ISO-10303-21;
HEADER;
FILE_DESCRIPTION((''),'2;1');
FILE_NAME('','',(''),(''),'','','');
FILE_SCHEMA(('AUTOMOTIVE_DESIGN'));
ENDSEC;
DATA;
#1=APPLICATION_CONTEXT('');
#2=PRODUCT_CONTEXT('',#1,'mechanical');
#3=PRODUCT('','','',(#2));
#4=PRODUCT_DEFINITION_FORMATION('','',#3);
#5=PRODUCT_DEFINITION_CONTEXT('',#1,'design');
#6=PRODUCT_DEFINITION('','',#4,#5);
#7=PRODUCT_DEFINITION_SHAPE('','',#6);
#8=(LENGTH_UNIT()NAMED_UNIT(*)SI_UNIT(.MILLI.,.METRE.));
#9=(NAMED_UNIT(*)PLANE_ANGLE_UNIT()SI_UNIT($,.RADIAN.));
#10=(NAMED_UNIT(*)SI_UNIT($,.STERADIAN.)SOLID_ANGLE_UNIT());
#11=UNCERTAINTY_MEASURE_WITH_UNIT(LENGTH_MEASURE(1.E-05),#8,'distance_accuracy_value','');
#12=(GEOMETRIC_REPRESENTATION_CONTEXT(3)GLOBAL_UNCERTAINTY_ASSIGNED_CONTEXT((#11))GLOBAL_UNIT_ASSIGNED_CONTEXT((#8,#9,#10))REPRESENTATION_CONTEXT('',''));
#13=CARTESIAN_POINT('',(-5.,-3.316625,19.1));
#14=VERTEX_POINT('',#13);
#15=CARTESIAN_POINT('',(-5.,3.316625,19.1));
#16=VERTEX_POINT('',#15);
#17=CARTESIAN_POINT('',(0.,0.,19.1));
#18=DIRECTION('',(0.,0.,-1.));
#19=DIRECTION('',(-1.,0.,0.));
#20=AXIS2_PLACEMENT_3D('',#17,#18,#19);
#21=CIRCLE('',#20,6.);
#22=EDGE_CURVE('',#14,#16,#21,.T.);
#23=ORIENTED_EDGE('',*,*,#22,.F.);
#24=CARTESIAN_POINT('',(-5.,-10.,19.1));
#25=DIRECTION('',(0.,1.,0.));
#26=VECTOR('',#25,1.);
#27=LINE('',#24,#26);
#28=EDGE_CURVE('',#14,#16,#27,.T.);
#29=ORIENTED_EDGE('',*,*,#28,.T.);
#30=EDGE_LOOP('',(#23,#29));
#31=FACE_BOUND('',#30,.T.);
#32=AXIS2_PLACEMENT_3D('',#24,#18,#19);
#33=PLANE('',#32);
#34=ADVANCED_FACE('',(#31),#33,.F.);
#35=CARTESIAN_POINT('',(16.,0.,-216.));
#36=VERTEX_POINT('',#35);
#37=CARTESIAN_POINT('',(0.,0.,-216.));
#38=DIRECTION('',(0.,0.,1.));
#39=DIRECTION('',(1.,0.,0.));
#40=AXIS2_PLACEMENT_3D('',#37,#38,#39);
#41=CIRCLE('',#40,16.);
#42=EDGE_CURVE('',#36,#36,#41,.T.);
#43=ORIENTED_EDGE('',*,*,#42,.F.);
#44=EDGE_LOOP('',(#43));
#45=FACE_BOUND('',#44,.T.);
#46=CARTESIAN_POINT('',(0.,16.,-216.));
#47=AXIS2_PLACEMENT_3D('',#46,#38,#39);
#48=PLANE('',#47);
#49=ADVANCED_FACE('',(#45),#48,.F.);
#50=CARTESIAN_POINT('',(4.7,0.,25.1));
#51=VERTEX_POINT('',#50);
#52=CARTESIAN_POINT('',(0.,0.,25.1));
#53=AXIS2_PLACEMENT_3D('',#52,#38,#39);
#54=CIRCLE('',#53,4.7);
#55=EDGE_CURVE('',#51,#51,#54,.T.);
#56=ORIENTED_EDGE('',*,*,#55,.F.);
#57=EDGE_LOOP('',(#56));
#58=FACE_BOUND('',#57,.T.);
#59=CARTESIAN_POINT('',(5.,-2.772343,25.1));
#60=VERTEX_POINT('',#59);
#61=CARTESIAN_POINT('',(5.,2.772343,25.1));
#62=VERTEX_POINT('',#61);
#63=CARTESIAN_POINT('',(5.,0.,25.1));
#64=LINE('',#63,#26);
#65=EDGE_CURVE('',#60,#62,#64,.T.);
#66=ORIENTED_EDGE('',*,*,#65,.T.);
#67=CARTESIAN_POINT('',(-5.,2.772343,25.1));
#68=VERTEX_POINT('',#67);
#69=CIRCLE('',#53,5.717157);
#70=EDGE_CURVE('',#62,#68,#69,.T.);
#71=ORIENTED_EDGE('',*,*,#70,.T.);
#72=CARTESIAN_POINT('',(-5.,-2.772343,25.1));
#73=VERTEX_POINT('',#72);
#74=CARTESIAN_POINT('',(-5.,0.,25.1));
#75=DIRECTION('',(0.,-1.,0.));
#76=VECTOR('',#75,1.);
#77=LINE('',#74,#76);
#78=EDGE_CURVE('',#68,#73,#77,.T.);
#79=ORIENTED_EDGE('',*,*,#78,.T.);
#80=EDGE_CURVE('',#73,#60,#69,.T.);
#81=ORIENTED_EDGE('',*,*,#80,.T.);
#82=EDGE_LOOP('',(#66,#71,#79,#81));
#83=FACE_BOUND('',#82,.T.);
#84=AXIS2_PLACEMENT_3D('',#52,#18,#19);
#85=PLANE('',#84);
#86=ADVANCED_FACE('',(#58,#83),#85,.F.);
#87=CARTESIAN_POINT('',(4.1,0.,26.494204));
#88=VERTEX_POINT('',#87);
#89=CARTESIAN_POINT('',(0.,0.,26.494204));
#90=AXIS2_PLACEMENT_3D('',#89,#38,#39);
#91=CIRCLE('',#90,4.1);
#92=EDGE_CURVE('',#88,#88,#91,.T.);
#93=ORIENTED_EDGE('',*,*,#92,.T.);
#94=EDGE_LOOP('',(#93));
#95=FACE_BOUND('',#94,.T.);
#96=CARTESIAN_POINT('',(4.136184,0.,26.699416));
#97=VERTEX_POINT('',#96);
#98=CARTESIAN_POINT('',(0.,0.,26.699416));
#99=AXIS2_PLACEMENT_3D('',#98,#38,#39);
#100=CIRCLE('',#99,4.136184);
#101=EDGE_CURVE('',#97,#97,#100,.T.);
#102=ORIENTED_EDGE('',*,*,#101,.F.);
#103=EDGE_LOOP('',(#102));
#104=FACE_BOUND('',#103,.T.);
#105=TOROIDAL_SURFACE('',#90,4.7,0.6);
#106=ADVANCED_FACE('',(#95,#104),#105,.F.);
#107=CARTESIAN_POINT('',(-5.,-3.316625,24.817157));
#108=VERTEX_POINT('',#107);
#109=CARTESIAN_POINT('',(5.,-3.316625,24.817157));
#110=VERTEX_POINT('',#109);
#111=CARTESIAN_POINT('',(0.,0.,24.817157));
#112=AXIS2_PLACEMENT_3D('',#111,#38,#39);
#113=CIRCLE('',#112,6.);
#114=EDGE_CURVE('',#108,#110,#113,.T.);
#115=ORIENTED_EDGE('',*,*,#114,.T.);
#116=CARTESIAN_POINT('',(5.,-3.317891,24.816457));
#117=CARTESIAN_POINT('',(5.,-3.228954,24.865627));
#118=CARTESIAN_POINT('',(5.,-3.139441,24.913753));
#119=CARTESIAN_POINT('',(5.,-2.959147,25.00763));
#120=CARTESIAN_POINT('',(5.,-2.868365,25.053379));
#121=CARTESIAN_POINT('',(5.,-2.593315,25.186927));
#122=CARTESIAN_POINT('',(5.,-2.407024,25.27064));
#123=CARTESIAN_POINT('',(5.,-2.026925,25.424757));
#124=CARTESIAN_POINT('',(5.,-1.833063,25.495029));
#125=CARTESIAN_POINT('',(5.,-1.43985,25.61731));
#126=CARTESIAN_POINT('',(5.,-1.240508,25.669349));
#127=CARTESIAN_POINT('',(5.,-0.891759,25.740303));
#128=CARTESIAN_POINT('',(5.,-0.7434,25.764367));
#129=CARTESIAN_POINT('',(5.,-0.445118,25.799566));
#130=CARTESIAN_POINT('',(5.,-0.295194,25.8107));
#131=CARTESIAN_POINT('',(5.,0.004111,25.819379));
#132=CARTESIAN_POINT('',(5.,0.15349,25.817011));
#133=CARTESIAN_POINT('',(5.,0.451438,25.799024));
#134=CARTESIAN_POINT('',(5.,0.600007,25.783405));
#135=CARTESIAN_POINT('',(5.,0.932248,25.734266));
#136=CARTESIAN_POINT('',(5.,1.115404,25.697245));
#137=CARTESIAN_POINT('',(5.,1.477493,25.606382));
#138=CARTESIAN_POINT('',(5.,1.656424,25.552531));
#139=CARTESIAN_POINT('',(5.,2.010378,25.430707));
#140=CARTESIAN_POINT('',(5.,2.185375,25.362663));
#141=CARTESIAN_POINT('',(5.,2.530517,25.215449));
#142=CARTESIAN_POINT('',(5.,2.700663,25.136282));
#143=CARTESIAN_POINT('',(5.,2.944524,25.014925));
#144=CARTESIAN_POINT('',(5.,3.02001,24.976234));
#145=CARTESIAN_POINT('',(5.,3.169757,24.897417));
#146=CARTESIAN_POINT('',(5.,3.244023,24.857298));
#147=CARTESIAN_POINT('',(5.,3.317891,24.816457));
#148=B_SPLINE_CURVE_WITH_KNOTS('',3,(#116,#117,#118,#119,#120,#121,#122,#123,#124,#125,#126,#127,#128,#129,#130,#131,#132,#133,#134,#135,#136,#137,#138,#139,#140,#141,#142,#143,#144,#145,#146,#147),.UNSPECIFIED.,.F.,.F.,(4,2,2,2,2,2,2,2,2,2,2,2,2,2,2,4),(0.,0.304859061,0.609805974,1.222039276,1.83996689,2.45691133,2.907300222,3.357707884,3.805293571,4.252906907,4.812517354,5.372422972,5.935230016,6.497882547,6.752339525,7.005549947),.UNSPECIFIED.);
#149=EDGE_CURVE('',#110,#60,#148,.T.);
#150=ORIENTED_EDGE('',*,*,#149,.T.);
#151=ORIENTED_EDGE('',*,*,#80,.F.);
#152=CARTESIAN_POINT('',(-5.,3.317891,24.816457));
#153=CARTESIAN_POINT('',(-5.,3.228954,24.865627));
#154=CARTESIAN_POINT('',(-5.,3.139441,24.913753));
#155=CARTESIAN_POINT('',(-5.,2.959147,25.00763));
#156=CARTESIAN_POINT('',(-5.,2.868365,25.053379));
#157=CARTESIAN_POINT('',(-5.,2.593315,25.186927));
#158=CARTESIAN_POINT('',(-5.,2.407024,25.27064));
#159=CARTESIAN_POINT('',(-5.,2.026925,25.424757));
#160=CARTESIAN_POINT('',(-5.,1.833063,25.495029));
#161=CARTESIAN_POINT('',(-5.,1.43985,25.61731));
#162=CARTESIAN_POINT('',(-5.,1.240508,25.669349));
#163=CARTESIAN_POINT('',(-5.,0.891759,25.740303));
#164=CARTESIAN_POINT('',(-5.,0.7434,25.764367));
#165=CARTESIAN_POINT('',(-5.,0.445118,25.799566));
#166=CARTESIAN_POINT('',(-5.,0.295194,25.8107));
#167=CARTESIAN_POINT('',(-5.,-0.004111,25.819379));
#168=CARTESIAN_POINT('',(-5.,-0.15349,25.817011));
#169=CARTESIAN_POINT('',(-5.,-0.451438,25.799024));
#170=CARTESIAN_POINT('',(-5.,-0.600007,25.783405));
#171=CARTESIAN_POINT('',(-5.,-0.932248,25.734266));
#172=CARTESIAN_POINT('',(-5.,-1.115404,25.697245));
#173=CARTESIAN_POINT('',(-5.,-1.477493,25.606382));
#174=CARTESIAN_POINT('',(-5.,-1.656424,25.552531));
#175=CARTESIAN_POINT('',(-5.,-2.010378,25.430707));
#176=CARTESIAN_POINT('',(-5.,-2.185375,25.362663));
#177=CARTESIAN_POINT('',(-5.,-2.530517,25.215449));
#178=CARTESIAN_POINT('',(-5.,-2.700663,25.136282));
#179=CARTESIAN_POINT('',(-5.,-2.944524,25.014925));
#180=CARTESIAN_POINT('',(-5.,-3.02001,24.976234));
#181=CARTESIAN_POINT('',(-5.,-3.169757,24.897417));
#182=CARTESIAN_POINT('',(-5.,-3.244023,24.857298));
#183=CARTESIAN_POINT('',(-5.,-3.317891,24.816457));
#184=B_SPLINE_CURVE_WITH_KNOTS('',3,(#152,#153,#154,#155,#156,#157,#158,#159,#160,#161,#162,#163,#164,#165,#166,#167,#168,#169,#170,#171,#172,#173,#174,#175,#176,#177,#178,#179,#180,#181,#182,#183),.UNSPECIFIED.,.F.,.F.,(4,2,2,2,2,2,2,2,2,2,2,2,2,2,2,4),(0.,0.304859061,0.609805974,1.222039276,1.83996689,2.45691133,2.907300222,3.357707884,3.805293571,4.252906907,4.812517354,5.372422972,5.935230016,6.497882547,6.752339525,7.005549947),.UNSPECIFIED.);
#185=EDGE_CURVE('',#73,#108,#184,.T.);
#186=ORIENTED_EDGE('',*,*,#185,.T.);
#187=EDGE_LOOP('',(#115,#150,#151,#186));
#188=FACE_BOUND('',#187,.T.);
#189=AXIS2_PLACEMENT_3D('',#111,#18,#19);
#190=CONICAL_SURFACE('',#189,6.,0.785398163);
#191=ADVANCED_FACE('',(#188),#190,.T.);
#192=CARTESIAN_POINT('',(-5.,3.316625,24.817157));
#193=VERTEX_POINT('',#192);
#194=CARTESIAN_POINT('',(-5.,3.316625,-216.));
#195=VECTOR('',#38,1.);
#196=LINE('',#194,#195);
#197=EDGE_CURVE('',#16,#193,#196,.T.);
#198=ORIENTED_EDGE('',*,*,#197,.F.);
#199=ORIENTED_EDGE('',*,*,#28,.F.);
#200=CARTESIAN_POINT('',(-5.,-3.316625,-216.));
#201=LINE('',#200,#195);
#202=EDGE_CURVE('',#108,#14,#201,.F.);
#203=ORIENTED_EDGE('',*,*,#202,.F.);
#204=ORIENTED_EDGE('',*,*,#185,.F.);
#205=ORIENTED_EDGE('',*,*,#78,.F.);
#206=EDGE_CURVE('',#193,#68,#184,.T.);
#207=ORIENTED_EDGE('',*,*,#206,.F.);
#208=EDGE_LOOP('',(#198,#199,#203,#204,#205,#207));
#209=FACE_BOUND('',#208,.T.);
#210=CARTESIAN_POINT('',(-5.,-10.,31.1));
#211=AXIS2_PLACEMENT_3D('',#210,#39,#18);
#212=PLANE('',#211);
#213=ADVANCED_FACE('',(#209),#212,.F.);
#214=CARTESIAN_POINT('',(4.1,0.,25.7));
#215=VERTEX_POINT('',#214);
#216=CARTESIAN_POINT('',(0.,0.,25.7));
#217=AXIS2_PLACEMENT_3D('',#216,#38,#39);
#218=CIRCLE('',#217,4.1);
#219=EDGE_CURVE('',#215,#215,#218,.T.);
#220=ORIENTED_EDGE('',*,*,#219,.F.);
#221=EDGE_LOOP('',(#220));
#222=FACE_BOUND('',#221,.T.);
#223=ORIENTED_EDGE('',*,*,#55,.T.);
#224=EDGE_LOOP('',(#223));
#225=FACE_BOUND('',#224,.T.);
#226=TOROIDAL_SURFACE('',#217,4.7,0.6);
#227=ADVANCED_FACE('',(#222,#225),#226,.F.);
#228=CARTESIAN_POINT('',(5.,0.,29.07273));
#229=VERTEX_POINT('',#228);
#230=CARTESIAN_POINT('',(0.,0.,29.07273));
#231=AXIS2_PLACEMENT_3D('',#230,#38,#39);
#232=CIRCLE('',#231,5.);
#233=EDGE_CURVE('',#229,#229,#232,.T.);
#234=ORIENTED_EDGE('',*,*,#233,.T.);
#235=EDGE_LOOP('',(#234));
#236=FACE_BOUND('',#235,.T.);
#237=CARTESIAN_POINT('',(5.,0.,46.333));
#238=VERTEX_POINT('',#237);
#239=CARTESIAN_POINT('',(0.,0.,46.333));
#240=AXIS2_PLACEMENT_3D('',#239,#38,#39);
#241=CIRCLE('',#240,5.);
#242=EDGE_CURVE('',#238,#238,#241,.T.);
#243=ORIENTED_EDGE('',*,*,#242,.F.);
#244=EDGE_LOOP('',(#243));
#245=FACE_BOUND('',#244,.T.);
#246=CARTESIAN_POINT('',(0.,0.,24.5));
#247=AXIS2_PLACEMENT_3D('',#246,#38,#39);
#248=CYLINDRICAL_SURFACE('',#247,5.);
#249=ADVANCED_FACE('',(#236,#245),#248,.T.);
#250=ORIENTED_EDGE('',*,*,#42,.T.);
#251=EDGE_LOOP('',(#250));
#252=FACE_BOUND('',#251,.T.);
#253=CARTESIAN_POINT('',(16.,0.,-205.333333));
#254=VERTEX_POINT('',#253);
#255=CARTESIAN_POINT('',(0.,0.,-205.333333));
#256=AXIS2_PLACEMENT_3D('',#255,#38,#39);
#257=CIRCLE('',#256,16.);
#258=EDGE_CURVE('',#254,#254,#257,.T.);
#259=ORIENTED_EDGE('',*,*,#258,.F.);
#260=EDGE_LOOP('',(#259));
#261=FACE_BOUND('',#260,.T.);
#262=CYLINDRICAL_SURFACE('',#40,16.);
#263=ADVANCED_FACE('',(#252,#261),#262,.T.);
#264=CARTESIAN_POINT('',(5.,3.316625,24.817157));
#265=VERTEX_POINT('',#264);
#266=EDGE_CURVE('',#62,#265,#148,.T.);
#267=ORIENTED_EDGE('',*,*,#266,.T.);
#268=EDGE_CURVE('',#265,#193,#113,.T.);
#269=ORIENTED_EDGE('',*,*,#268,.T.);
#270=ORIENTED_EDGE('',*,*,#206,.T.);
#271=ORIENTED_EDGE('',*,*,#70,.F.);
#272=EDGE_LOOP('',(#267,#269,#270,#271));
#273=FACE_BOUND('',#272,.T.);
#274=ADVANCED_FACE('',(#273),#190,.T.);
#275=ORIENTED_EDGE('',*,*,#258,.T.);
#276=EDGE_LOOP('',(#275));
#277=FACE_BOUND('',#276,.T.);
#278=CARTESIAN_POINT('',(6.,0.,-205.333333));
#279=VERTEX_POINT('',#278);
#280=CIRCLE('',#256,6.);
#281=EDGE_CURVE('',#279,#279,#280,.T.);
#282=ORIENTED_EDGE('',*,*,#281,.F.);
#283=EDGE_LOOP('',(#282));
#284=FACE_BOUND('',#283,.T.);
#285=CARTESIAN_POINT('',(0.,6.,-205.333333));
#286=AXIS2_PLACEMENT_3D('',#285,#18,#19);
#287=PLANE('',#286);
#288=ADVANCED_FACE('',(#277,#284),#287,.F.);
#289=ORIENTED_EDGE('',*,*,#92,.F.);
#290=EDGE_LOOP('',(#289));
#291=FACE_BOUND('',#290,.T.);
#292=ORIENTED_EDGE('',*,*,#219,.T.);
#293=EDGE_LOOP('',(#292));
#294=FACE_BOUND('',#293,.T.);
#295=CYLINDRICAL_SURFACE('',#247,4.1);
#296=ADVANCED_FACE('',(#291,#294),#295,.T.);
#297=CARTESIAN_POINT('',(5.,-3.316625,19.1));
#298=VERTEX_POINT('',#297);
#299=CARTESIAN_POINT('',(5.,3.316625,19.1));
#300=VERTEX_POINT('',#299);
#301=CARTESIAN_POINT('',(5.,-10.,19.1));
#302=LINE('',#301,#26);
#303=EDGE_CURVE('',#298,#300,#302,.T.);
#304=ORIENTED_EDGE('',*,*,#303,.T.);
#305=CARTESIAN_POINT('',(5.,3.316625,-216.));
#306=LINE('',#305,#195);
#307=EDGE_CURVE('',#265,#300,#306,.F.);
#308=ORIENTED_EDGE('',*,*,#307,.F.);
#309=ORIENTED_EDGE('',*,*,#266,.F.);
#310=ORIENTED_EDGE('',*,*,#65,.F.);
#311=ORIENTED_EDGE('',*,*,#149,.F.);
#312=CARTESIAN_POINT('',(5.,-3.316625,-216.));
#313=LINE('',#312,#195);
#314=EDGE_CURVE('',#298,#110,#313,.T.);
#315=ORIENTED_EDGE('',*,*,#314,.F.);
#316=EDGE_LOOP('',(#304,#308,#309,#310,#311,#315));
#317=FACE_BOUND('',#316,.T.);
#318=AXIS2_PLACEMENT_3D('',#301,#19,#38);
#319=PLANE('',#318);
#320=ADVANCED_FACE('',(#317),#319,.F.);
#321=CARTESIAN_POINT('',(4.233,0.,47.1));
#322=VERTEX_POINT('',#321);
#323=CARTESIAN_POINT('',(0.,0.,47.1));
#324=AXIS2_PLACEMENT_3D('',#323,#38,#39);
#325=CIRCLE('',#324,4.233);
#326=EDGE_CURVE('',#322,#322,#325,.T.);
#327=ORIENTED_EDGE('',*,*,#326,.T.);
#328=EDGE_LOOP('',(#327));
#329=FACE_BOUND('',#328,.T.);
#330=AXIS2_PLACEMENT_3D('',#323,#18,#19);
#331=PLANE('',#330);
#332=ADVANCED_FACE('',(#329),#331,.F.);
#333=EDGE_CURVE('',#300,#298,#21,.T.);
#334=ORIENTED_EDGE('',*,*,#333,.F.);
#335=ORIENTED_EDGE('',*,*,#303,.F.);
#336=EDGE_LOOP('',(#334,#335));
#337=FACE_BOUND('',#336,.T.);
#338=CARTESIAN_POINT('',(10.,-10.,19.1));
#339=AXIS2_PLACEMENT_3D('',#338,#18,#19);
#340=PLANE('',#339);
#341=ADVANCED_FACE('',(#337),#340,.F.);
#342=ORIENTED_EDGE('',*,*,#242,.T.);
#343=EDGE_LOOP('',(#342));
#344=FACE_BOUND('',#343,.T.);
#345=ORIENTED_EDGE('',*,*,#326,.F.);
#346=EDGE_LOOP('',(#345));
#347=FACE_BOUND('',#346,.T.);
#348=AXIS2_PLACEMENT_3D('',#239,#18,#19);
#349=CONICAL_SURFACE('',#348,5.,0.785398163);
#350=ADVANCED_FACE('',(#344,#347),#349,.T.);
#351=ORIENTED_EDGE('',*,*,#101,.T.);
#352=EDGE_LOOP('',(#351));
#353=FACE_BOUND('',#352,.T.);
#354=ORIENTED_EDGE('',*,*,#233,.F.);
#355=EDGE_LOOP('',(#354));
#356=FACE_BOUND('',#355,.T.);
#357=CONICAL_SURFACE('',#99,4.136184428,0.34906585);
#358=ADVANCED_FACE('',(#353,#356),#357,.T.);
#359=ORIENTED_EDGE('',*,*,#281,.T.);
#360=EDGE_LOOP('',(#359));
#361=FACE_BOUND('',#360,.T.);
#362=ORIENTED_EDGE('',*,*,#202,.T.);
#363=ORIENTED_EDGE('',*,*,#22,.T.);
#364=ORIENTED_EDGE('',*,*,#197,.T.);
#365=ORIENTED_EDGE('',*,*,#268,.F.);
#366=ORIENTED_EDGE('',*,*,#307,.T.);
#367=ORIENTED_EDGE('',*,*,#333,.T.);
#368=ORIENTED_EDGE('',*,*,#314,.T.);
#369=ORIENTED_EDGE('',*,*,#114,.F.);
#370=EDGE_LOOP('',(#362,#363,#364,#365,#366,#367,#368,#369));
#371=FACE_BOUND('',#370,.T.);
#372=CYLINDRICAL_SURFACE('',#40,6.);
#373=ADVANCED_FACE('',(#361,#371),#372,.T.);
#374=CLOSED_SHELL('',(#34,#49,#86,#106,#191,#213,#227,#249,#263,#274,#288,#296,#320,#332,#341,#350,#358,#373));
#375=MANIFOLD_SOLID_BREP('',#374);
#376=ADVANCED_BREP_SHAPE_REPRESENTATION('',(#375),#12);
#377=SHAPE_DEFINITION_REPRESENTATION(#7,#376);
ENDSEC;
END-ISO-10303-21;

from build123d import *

# Parameters (mm, degrees)
CUT_EXTRUDE1_DEPTH      = 10
CUT_EXTRUDE1_DEPTH_BACK = 10


with BuildPart() as part:
    # Sketch1 → Revolve1 (revolve)
    with BuildSketch(Plane(origin=(0, 0, 0), x_dir=(0, 0, -1), z_dir=(1, 0, 0))):
        Polygon((-25.1, 0), (-25.1, 5.717157288), (-24.817157288, 6), (205.333333333, 6), (205.333333333, 16), (216, 16), (216, 0), align=None)
    revolve(axis=Axis((0, 0, -216), (0, 0, 1)))

    # Sketch2 → Cut-Extrude1 (cut, two sides: drawn at the far end of the back side and taken through both)
    with BuildSketch(Plane(origin=(0, 0, 0), x_dir=(1, 0, 0), z_dir=(0, 1, 0)).offset(-CUT_EXTRUDE1_DEPTH_BACK)):
        Polygon((-10, -39.1), (10, -39.1), (10, -19.1), (5, -19.1), (5, -31.1), (-5, -31.1), (-5, -19.1), (-10, -19.1), align=None)
    extrude(amount=CUT_EXTRUDE1_DEPTH + CUT_EXTRUDE1_DEPTH_BACK, mode=Mode.SUBTRACT)

    # Sketch3 → Revolve2 (revolve)
    with BuildSketch(Plane(origin=(0, 0, 0), x_dir=(0, 0, -1), z_dir=(1, 0, 0))):
        with BuildLine():
            Line((-47.1, 0), (-47.1, 4.233))
            Line((-47.1, 4.233), (-46.333, 5))
            Line((-46.333, 5), (-29.072729678, 5))
            Line((-29.072729678, 5), (-26.699415898, 4.136184428))
            ThreePointArc((-26.699415898, 4.136184428), (-26.598392718, 4.109115348), (-26.494203812, 4.1))
            Line((-26.494203812, 4.1), (-25.7, 4.1))
            ThreePointArc((-25.7, 4.1), (-25.275735931, 4.275735931), (-25.1, 4.7))
            Line((-25.1, 4.7), (-24.5, 4.7))
            Line((-24.5, 4.7), (-24.5, 0))
            Line((-24.5, 0), (-47.1, 0))
        make_face()
    revolve(axis=Axis((0, 0, 24.5), (0, 0, 1)))


solid = part.part
